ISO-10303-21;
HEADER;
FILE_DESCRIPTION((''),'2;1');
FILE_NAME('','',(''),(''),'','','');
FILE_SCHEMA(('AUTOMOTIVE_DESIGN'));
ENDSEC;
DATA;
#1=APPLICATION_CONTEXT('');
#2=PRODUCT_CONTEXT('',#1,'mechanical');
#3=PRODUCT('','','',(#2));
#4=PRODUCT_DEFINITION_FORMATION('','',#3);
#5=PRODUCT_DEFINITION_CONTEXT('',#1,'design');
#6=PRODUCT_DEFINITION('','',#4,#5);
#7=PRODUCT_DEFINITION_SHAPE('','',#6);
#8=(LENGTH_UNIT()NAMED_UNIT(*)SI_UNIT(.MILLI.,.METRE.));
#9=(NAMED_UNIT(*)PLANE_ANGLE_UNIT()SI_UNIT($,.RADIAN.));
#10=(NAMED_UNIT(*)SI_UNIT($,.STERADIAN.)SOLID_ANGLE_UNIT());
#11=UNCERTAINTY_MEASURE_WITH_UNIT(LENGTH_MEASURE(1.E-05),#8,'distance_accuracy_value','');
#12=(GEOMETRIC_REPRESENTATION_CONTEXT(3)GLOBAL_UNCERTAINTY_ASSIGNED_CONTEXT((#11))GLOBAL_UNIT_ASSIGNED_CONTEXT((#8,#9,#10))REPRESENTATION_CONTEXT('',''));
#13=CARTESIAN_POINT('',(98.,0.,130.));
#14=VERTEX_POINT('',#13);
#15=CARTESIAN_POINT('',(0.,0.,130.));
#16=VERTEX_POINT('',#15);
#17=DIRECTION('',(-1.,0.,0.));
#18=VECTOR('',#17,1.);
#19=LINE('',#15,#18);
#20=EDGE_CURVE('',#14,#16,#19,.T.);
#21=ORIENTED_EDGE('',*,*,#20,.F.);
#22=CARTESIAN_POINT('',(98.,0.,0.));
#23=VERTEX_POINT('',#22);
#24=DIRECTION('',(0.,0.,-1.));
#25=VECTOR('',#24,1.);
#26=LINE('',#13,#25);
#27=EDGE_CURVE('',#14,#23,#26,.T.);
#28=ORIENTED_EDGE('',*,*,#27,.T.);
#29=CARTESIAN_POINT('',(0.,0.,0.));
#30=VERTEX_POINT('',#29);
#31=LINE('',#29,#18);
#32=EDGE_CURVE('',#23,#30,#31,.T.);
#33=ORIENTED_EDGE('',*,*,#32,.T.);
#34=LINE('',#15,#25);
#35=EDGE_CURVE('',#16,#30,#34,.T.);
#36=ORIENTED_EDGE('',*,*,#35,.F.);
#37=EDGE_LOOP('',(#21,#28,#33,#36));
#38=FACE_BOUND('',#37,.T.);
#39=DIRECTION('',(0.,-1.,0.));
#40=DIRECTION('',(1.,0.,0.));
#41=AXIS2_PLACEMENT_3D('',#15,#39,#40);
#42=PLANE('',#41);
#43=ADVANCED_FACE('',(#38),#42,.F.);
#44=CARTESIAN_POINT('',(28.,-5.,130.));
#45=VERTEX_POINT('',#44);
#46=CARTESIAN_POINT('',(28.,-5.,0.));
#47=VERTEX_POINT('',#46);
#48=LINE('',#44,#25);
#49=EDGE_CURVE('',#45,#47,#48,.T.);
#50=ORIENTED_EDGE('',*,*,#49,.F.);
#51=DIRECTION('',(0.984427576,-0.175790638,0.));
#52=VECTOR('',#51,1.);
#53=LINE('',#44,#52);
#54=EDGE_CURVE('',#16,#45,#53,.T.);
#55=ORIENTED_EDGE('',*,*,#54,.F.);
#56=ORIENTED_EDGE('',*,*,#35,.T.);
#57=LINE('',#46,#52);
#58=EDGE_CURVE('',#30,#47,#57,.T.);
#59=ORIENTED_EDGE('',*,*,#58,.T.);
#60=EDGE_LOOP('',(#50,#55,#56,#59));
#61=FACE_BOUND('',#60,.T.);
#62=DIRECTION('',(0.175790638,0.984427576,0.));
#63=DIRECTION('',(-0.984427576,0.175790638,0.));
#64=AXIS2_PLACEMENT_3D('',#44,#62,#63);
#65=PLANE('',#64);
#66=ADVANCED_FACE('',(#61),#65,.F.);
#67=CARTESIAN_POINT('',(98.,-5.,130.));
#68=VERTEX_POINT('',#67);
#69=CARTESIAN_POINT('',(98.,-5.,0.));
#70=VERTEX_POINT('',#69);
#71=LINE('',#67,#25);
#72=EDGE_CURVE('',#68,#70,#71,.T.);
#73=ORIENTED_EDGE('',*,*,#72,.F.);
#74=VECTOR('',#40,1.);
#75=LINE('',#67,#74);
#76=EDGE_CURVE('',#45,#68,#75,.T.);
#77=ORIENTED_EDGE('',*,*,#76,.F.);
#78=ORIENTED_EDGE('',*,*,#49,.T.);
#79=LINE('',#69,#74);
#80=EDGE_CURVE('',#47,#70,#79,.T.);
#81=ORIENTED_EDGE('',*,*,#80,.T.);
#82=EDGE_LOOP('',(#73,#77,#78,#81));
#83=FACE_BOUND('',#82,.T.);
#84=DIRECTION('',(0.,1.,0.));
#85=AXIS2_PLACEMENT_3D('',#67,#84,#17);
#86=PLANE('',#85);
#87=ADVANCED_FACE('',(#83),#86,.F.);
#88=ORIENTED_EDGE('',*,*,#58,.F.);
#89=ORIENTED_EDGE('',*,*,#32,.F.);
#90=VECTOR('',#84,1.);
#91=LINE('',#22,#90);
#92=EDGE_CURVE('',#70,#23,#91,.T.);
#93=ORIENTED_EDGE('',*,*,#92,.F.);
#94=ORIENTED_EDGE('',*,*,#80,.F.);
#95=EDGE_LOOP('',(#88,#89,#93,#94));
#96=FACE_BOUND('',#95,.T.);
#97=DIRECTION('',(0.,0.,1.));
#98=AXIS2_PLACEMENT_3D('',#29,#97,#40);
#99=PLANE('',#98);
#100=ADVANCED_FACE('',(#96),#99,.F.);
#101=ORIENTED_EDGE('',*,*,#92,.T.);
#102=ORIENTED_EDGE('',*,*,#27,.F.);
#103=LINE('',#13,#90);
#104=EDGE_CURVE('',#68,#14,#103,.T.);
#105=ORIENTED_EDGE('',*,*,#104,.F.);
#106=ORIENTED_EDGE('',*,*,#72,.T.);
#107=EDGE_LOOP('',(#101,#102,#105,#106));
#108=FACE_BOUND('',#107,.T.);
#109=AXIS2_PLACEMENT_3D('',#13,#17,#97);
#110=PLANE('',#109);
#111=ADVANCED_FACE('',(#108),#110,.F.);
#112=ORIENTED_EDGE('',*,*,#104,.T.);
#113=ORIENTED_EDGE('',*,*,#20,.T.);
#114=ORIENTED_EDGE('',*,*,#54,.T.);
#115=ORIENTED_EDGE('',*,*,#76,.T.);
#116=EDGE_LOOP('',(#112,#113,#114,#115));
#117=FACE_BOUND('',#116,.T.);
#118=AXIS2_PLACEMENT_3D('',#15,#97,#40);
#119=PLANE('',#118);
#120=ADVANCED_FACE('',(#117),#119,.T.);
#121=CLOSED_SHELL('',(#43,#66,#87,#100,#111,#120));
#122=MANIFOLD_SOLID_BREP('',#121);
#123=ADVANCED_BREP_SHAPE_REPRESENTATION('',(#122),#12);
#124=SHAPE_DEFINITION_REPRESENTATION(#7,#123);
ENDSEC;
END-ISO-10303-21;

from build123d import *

# Parameters (mm, degrees)
BOSS_EXTRUDE1_DEPTH = 130


with BuildPart() as part:
    # Sketch1 → Boss-Extrude1 (new body)
    with BuildSketch(Plane.XY):
        Polygon((0, 0), (98, 0), (98, -5), (28, -5), align=None)
    extrude(amount=BOSS_EXTRUDE1_DEPTH)


solid = part.part
